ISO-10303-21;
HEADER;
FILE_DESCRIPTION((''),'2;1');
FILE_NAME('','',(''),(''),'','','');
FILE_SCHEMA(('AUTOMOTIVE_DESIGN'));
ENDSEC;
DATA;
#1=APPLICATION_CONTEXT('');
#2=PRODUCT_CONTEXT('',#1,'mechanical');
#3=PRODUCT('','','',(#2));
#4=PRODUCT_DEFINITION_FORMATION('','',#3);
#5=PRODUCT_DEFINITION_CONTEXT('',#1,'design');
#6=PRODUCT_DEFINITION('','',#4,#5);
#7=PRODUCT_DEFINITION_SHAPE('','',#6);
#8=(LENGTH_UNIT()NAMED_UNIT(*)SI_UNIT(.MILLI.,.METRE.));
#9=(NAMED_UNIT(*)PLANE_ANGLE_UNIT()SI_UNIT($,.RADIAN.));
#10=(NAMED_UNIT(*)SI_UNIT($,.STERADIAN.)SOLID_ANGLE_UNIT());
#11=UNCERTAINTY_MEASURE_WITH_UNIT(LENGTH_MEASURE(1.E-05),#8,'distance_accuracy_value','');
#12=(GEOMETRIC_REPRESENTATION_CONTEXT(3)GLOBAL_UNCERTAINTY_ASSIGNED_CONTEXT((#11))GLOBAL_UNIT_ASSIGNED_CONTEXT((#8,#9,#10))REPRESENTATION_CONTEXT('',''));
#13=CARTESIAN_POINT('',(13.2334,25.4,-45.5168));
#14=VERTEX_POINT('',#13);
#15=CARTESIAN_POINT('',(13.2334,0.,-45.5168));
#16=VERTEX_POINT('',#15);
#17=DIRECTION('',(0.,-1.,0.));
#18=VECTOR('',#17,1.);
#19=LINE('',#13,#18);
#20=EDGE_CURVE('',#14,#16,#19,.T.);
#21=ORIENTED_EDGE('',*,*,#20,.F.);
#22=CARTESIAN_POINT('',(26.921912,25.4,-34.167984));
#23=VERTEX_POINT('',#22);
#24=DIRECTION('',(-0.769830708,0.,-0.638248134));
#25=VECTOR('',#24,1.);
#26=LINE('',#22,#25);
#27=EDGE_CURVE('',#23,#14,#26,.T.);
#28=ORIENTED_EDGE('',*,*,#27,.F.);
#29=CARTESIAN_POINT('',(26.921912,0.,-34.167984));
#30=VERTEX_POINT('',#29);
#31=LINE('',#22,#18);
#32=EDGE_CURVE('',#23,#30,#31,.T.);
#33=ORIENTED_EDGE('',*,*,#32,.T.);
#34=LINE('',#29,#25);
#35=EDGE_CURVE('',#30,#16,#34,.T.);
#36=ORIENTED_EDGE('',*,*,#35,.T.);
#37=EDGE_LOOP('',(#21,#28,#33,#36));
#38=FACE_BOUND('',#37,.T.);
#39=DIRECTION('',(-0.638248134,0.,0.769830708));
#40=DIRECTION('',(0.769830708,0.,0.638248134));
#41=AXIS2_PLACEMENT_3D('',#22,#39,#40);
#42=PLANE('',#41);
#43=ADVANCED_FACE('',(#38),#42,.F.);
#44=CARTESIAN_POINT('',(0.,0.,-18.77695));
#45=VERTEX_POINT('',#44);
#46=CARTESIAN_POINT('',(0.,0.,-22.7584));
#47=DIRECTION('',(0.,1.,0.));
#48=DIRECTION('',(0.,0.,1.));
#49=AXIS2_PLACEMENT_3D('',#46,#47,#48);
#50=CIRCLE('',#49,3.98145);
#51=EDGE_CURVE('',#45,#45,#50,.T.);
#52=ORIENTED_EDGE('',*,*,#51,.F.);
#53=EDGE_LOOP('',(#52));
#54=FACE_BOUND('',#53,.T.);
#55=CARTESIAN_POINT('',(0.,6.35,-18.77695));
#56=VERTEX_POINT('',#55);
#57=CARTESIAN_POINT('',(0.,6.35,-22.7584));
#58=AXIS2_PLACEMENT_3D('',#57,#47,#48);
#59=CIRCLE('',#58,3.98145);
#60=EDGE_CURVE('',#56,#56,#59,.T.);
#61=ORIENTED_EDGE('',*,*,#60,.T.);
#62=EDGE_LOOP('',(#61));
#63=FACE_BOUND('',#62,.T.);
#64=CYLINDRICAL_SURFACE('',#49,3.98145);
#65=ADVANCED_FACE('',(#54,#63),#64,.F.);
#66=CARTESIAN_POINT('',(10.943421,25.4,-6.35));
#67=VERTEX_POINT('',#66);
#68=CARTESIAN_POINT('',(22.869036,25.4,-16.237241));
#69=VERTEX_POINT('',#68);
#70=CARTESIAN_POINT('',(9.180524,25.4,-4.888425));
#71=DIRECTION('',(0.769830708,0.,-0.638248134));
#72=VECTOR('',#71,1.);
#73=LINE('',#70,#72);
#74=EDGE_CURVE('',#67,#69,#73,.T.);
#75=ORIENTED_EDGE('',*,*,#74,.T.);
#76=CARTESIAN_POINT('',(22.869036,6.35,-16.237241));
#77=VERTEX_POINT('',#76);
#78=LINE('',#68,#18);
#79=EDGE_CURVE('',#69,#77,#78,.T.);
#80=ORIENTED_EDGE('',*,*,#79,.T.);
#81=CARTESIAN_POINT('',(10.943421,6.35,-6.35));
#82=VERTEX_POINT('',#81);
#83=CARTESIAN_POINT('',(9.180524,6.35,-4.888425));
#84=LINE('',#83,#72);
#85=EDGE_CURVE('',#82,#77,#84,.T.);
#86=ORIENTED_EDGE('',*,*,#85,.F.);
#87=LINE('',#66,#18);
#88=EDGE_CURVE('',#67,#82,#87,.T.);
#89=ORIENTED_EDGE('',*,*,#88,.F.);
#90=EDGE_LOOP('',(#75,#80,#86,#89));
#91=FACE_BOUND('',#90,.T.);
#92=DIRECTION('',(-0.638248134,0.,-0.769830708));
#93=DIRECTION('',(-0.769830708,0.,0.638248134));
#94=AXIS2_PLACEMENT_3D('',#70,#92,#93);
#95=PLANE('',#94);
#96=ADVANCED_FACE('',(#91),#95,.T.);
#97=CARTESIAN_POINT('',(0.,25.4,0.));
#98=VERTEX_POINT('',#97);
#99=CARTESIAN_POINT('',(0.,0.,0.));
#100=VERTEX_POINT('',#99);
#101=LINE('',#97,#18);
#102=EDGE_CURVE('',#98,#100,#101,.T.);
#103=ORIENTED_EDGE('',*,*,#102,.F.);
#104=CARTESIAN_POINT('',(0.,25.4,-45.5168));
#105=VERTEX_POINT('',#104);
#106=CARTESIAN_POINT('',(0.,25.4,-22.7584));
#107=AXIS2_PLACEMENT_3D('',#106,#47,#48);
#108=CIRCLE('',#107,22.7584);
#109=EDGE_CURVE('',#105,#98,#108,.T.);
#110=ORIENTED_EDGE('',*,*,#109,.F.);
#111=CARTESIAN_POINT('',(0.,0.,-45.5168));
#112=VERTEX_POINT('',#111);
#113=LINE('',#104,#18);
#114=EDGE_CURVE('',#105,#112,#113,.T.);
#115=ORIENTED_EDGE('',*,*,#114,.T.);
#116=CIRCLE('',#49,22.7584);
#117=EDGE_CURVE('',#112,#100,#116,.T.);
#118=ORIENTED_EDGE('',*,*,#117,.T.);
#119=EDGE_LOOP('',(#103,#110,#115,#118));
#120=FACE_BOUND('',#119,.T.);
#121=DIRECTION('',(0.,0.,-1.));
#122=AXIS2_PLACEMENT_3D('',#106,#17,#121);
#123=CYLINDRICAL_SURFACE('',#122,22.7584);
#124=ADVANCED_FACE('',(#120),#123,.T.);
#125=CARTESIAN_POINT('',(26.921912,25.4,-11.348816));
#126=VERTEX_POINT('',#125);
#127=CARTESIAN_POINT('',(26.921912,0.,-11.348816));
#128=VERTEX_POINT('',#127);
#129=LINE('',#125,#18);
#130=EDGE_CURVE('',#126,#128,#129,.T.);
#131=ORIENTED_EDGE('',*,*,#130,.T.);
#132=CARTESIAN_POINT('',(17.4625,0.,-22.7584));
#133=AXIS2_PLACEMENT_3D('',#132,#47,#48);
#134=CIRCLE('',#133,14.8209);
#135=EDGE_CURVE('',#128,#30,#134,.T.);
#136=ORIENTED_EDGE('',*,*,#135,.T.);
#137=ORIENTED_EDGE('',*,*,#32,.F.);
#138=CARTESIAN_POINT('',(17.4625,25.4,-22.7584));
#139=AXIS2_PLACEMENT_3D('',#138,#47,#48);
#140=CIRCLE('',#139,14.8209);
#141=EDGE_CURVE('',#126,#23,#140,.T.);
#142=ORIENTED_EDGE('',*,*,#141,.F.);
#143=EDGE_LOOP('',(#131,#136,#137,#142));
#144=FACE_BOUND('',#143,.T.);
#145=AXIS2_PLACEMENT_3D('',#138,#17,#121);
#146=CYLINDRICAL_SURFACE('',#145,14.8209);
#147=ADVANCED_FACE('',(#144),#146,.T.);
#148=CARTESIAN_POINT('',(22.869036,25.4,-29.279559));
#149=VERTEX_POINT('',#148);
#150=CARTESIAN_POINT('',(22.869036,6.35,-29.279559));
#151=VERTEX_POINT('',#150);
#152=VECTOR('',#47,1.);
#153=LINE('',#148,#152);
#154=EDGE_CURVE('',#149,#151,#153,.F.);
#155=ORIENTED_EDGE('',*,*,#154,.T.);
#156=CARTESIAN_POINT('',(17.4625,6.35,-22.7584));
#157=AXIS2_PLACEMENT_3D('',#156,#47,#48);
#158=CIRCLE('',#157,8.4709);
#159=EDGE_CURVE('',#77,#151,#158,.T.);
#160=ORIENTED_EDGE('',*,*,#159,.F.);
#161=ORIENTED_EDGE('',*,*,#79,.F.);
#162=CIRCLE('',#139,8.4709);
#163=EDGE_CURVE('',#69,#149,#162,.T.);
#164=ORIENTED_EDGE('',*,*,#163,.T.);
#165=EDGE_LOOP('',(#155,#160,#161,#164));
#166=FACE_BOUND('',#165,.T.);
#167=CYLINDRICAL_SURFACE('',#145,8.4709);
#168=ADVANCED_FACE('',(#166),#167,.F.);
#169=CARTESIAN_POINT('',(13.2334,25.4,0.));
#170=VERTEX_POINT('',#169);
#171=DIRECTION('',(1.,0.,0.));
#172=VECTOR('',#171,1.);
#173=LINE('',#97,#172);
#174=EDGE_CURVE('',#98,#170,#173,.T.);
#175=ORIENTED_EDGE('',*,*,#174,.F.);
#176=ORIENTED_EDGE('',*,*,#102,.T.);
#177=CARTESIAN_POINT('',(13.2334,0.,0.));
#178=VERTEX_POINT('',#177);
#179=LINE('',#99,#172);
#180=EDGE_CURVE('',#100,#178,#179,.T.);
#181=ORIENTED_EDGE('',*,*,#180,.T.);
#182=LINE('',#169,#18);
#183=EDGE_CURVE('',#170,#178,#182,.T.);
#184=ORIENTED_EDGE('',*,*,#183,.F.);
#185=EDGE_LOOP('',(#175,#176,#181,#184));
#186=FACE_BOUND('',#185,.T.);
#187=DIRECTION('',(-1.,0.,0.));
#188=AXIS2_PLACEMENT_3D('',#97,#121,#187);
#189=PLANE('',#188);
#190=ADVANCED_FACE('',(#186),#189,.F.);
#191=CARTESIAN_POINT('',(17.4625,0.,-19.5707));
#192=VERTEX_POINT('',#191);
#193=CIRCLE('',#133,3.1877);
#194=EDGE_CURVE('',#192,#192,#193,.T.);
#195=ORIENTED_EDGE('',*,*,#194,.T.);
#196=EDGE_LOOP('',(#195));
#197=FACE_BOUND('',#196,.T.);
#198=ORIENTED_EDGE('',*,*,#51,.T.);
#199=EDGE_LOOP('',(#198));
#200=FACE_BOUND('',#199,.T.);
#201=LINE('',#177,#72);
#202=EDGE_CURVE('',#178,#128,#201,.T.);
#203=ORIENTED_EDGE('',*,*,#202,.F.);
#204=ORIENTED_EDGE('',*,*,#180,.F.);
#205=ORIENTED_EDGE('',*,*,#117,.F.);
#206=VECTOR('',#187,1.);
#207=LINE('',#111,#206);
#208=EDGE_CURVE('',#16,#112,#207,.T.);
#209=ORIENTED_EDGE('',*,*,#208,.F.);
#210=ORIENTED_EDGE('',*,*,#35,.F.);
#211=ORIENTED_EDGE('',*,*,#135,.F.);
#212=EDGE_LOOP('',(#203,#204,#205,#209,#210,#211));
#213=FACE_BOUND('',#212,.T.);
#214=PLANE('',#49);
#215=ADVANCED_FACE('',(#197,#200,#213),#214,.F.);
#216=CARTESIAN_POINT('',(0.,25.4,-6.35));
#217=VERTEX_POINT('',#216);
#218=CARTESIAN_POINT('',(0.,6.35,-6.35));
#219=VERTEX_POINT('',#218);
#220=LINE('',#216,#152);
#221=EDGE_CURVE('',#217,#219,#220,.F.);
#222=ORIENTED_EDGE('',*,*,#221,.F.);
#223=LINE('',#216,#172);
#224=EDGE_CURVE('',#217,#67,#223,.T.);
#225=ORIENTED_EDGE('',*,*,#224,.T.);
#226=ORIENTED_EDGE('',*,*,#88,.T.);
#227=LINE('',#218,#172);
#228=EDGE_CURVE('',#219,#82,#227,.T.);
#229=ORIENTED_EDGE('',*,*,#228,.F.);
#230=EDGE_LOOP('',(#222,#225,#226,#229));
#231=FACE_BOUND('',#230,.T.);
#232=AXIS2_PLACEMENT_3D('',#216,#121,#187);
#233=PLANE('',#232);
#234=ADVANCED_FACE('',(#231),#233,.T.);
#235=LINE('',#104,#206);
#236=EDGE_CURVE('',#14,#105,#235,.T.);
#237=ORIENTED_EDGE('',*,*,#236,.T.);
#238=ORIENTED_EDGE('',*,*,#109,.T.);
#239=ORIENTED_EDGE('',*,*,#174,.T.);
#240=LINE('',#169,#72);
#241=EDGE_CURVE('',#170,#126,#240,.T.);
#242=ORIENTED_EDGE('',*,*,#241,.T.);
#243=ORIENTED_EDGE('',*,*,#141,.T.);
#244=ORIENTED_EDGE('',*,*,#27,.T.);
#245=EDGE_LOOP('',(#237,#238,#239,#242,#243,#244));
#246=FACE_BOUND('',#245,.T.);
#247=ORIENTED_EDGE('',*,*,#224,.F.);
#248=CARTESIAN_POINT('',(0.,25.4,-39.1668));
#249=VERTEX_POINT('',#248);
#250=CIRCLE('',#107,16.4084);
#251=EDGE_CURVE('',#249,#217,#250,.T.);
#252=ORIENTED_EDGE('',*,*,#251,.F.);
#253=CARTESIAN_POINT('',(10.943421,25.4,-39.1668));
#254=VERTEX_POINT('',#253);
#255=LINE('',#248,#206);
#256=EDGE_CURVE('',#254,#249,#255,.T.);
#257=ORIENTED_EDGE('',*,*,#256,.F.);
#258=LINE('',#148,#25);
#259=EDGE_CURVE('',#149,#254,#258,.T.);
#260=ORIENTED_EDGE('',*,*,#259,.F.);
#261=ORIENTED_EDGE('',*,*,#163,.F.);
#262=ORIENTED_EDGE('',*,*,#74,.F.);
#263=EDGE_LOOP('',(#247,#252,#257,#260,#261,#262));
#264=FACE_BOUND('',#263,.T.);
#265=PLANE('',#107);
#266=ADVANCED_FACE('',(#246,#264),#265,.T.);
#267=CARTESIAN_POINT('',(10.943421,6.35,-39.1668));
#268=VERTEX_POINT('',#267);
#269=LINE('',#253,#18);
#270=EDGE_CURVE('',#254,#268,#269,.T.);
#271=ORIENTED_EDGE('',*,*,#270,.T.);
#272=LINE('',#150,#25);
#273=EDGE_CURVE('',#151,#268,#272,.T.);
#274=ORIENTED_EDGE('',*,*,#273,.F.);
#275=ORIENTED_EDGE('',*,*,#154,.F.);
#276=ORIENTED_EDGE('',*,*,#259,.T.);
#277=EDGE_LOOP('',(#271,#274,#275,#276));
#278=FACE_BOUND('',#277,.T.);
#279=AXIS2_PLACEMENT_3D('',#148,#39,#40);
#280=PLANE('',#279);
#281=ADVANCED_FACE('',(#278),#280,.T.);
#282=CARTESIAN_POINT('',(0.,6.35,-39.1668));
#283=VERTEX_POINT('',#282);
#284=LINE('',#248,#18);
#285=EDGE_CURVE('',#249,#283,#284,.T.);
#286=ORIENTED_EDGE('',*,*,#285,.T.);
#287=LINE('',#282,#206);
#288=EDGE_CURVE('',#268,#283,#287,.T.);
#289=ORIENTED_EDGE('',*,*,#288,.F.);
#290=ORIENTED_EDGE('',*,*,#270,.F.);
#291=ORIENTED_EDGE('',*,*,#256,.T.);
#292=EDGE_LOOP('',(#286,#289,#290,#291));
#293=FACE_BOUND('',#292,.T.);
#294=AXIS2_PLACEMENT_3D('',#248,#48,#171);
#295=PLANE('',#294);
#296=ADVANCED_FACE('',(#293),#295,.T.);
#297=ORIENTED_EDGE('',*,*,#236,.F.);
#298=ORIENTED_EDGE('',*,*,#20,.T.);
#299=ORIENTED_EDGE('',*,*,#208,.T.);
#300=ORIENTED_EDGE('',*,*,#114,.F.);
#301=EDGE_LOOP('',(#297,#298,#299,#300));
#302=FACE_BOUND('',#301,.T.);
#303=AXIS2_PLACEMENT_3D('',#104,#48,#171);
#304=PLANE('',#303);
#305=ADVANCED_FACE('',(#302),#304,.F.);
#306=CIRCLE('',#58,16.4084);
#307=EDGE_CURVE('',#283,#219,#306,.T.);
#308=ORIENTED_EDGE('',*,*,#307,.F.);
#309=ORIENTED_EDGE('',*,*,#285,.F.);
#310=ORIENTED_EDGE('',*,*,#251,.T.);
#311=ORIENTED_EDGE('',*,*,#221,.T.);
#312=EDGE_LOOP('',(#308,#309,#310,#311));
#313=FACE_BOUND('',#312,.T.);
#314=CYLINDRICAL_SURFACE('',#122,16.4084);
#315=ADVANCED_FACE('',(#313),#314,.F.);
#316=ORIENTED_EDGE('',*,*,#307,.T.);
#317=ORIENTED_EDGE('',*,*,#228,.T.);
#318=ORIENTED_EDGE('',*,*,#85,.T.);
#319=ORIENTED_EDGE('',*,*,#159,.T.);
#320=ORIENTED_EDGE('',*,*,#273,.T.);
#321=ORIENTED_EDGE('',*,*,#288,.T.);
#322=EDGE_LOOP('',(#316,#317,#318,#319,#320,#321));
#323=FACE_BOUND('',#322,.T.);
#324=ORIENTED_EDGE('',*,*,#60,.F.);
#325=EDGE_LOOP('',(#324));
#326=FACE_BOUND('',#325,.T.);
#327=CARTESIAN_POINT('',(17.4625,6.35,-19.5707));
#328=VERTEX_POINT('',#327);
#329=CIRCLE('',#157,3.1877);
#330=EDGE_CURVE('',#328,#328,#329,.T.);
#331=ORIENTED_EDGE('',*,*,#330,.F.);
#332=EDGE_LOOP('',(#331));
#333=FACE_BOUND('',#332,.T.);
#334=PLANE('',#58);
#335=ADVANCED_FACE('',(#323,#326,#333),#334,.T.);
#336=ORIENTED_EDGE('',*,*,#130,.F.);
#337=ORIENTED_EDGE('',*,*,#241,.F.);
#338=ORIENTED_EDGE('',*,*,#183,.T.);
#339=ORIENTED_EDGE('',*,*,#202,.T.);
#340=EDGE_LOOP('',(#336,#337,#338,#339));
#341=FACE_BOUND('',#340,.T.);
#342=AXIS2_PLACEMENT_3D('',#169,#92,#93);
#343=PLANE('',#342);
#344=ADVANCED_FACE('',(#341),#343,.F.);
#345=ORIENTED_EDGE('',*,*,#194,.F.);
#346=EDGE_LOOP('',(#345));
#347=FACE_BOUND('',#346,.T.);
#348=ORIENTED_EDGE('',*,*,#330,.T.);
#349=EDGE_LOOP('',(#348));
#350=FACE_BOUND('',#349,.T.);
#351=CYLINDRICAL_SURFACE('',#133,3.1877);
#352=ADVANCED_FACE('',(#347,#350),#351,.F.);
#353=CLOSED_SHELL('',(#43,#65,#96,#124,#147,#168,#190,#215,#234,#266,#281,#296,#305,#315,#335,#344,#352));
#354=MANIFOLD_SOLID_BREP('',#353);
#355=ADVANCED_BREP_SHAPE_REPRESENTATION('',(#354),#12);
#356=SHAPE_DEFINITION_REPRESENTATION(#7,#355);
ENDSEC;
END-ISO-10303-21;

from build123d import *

# Parameters (mm, degrees)
BOSS_EXTRUDE1_DEPTH = 25.4
SHELL1_T            = -6.35
SKETCH2_R           = 3.98145
SKETCH2_R_2         = 3.1877
CUT_EXTRUDE1_DEPTH  = 59.965239742


with BuildPart() as part:
    # Sketch1 → Boss-Extrude1 (new body)
    with BuildSketch(Plane(origin=(0, 0, 0), x_dir=(1, 0, 0), z_dir=(0, 1, 0))):
        with BuildLine():
            Line((13.2334, 0), (26.921911775, 11.34881606))
            ThreePointArc((26.921911775, 11.34881606), (32.2834, 22.7584), (26.921911775, 34.16798394))
            Line((26.921911775, 34.16798394), (13.2334, 45.5168))
            Line((13.2334, 45.5168), (0, 45.5168))
            ThreePointArc((0, 45.5168), (-22.7584, 22.7584), (0, 0))
            Line((0, 0), (13.2334, 0))
        make_face()
    extrude(amount=BOSS_EXTRUDE1_DEPTH)

    # Shell1
    shell1_openings = [part.faces().sort_by_distance(p)[0] for p in [
        (3.880100933, 25.4, -22.7584),
    ]]
    offset(amount=SHELL1_T, openings=shell1_openings, kind=Kind.INTERSECTION)

    # Sketch2 → Cut-Extrude1 (cut, through all)
    with BuildSketch(Plane(origin=(0, 6.35, 0), x_dir=(1, 0, 0), z_dir=(0, 1, 0))):
        with Locations(Location((0, 22.7584, 0), (0, 0, 270))):
            Circle(SKETCH2_R)
        with Locations(Location((17.4625, 22.7584, 0), (0, 0, 270))):
            Circle(SKETCH2_R_2)
    extrude(amount=-CUT_EXTRUDE1_DEPTH, mode=Mode.SUBTRACT)


solid = part.part
